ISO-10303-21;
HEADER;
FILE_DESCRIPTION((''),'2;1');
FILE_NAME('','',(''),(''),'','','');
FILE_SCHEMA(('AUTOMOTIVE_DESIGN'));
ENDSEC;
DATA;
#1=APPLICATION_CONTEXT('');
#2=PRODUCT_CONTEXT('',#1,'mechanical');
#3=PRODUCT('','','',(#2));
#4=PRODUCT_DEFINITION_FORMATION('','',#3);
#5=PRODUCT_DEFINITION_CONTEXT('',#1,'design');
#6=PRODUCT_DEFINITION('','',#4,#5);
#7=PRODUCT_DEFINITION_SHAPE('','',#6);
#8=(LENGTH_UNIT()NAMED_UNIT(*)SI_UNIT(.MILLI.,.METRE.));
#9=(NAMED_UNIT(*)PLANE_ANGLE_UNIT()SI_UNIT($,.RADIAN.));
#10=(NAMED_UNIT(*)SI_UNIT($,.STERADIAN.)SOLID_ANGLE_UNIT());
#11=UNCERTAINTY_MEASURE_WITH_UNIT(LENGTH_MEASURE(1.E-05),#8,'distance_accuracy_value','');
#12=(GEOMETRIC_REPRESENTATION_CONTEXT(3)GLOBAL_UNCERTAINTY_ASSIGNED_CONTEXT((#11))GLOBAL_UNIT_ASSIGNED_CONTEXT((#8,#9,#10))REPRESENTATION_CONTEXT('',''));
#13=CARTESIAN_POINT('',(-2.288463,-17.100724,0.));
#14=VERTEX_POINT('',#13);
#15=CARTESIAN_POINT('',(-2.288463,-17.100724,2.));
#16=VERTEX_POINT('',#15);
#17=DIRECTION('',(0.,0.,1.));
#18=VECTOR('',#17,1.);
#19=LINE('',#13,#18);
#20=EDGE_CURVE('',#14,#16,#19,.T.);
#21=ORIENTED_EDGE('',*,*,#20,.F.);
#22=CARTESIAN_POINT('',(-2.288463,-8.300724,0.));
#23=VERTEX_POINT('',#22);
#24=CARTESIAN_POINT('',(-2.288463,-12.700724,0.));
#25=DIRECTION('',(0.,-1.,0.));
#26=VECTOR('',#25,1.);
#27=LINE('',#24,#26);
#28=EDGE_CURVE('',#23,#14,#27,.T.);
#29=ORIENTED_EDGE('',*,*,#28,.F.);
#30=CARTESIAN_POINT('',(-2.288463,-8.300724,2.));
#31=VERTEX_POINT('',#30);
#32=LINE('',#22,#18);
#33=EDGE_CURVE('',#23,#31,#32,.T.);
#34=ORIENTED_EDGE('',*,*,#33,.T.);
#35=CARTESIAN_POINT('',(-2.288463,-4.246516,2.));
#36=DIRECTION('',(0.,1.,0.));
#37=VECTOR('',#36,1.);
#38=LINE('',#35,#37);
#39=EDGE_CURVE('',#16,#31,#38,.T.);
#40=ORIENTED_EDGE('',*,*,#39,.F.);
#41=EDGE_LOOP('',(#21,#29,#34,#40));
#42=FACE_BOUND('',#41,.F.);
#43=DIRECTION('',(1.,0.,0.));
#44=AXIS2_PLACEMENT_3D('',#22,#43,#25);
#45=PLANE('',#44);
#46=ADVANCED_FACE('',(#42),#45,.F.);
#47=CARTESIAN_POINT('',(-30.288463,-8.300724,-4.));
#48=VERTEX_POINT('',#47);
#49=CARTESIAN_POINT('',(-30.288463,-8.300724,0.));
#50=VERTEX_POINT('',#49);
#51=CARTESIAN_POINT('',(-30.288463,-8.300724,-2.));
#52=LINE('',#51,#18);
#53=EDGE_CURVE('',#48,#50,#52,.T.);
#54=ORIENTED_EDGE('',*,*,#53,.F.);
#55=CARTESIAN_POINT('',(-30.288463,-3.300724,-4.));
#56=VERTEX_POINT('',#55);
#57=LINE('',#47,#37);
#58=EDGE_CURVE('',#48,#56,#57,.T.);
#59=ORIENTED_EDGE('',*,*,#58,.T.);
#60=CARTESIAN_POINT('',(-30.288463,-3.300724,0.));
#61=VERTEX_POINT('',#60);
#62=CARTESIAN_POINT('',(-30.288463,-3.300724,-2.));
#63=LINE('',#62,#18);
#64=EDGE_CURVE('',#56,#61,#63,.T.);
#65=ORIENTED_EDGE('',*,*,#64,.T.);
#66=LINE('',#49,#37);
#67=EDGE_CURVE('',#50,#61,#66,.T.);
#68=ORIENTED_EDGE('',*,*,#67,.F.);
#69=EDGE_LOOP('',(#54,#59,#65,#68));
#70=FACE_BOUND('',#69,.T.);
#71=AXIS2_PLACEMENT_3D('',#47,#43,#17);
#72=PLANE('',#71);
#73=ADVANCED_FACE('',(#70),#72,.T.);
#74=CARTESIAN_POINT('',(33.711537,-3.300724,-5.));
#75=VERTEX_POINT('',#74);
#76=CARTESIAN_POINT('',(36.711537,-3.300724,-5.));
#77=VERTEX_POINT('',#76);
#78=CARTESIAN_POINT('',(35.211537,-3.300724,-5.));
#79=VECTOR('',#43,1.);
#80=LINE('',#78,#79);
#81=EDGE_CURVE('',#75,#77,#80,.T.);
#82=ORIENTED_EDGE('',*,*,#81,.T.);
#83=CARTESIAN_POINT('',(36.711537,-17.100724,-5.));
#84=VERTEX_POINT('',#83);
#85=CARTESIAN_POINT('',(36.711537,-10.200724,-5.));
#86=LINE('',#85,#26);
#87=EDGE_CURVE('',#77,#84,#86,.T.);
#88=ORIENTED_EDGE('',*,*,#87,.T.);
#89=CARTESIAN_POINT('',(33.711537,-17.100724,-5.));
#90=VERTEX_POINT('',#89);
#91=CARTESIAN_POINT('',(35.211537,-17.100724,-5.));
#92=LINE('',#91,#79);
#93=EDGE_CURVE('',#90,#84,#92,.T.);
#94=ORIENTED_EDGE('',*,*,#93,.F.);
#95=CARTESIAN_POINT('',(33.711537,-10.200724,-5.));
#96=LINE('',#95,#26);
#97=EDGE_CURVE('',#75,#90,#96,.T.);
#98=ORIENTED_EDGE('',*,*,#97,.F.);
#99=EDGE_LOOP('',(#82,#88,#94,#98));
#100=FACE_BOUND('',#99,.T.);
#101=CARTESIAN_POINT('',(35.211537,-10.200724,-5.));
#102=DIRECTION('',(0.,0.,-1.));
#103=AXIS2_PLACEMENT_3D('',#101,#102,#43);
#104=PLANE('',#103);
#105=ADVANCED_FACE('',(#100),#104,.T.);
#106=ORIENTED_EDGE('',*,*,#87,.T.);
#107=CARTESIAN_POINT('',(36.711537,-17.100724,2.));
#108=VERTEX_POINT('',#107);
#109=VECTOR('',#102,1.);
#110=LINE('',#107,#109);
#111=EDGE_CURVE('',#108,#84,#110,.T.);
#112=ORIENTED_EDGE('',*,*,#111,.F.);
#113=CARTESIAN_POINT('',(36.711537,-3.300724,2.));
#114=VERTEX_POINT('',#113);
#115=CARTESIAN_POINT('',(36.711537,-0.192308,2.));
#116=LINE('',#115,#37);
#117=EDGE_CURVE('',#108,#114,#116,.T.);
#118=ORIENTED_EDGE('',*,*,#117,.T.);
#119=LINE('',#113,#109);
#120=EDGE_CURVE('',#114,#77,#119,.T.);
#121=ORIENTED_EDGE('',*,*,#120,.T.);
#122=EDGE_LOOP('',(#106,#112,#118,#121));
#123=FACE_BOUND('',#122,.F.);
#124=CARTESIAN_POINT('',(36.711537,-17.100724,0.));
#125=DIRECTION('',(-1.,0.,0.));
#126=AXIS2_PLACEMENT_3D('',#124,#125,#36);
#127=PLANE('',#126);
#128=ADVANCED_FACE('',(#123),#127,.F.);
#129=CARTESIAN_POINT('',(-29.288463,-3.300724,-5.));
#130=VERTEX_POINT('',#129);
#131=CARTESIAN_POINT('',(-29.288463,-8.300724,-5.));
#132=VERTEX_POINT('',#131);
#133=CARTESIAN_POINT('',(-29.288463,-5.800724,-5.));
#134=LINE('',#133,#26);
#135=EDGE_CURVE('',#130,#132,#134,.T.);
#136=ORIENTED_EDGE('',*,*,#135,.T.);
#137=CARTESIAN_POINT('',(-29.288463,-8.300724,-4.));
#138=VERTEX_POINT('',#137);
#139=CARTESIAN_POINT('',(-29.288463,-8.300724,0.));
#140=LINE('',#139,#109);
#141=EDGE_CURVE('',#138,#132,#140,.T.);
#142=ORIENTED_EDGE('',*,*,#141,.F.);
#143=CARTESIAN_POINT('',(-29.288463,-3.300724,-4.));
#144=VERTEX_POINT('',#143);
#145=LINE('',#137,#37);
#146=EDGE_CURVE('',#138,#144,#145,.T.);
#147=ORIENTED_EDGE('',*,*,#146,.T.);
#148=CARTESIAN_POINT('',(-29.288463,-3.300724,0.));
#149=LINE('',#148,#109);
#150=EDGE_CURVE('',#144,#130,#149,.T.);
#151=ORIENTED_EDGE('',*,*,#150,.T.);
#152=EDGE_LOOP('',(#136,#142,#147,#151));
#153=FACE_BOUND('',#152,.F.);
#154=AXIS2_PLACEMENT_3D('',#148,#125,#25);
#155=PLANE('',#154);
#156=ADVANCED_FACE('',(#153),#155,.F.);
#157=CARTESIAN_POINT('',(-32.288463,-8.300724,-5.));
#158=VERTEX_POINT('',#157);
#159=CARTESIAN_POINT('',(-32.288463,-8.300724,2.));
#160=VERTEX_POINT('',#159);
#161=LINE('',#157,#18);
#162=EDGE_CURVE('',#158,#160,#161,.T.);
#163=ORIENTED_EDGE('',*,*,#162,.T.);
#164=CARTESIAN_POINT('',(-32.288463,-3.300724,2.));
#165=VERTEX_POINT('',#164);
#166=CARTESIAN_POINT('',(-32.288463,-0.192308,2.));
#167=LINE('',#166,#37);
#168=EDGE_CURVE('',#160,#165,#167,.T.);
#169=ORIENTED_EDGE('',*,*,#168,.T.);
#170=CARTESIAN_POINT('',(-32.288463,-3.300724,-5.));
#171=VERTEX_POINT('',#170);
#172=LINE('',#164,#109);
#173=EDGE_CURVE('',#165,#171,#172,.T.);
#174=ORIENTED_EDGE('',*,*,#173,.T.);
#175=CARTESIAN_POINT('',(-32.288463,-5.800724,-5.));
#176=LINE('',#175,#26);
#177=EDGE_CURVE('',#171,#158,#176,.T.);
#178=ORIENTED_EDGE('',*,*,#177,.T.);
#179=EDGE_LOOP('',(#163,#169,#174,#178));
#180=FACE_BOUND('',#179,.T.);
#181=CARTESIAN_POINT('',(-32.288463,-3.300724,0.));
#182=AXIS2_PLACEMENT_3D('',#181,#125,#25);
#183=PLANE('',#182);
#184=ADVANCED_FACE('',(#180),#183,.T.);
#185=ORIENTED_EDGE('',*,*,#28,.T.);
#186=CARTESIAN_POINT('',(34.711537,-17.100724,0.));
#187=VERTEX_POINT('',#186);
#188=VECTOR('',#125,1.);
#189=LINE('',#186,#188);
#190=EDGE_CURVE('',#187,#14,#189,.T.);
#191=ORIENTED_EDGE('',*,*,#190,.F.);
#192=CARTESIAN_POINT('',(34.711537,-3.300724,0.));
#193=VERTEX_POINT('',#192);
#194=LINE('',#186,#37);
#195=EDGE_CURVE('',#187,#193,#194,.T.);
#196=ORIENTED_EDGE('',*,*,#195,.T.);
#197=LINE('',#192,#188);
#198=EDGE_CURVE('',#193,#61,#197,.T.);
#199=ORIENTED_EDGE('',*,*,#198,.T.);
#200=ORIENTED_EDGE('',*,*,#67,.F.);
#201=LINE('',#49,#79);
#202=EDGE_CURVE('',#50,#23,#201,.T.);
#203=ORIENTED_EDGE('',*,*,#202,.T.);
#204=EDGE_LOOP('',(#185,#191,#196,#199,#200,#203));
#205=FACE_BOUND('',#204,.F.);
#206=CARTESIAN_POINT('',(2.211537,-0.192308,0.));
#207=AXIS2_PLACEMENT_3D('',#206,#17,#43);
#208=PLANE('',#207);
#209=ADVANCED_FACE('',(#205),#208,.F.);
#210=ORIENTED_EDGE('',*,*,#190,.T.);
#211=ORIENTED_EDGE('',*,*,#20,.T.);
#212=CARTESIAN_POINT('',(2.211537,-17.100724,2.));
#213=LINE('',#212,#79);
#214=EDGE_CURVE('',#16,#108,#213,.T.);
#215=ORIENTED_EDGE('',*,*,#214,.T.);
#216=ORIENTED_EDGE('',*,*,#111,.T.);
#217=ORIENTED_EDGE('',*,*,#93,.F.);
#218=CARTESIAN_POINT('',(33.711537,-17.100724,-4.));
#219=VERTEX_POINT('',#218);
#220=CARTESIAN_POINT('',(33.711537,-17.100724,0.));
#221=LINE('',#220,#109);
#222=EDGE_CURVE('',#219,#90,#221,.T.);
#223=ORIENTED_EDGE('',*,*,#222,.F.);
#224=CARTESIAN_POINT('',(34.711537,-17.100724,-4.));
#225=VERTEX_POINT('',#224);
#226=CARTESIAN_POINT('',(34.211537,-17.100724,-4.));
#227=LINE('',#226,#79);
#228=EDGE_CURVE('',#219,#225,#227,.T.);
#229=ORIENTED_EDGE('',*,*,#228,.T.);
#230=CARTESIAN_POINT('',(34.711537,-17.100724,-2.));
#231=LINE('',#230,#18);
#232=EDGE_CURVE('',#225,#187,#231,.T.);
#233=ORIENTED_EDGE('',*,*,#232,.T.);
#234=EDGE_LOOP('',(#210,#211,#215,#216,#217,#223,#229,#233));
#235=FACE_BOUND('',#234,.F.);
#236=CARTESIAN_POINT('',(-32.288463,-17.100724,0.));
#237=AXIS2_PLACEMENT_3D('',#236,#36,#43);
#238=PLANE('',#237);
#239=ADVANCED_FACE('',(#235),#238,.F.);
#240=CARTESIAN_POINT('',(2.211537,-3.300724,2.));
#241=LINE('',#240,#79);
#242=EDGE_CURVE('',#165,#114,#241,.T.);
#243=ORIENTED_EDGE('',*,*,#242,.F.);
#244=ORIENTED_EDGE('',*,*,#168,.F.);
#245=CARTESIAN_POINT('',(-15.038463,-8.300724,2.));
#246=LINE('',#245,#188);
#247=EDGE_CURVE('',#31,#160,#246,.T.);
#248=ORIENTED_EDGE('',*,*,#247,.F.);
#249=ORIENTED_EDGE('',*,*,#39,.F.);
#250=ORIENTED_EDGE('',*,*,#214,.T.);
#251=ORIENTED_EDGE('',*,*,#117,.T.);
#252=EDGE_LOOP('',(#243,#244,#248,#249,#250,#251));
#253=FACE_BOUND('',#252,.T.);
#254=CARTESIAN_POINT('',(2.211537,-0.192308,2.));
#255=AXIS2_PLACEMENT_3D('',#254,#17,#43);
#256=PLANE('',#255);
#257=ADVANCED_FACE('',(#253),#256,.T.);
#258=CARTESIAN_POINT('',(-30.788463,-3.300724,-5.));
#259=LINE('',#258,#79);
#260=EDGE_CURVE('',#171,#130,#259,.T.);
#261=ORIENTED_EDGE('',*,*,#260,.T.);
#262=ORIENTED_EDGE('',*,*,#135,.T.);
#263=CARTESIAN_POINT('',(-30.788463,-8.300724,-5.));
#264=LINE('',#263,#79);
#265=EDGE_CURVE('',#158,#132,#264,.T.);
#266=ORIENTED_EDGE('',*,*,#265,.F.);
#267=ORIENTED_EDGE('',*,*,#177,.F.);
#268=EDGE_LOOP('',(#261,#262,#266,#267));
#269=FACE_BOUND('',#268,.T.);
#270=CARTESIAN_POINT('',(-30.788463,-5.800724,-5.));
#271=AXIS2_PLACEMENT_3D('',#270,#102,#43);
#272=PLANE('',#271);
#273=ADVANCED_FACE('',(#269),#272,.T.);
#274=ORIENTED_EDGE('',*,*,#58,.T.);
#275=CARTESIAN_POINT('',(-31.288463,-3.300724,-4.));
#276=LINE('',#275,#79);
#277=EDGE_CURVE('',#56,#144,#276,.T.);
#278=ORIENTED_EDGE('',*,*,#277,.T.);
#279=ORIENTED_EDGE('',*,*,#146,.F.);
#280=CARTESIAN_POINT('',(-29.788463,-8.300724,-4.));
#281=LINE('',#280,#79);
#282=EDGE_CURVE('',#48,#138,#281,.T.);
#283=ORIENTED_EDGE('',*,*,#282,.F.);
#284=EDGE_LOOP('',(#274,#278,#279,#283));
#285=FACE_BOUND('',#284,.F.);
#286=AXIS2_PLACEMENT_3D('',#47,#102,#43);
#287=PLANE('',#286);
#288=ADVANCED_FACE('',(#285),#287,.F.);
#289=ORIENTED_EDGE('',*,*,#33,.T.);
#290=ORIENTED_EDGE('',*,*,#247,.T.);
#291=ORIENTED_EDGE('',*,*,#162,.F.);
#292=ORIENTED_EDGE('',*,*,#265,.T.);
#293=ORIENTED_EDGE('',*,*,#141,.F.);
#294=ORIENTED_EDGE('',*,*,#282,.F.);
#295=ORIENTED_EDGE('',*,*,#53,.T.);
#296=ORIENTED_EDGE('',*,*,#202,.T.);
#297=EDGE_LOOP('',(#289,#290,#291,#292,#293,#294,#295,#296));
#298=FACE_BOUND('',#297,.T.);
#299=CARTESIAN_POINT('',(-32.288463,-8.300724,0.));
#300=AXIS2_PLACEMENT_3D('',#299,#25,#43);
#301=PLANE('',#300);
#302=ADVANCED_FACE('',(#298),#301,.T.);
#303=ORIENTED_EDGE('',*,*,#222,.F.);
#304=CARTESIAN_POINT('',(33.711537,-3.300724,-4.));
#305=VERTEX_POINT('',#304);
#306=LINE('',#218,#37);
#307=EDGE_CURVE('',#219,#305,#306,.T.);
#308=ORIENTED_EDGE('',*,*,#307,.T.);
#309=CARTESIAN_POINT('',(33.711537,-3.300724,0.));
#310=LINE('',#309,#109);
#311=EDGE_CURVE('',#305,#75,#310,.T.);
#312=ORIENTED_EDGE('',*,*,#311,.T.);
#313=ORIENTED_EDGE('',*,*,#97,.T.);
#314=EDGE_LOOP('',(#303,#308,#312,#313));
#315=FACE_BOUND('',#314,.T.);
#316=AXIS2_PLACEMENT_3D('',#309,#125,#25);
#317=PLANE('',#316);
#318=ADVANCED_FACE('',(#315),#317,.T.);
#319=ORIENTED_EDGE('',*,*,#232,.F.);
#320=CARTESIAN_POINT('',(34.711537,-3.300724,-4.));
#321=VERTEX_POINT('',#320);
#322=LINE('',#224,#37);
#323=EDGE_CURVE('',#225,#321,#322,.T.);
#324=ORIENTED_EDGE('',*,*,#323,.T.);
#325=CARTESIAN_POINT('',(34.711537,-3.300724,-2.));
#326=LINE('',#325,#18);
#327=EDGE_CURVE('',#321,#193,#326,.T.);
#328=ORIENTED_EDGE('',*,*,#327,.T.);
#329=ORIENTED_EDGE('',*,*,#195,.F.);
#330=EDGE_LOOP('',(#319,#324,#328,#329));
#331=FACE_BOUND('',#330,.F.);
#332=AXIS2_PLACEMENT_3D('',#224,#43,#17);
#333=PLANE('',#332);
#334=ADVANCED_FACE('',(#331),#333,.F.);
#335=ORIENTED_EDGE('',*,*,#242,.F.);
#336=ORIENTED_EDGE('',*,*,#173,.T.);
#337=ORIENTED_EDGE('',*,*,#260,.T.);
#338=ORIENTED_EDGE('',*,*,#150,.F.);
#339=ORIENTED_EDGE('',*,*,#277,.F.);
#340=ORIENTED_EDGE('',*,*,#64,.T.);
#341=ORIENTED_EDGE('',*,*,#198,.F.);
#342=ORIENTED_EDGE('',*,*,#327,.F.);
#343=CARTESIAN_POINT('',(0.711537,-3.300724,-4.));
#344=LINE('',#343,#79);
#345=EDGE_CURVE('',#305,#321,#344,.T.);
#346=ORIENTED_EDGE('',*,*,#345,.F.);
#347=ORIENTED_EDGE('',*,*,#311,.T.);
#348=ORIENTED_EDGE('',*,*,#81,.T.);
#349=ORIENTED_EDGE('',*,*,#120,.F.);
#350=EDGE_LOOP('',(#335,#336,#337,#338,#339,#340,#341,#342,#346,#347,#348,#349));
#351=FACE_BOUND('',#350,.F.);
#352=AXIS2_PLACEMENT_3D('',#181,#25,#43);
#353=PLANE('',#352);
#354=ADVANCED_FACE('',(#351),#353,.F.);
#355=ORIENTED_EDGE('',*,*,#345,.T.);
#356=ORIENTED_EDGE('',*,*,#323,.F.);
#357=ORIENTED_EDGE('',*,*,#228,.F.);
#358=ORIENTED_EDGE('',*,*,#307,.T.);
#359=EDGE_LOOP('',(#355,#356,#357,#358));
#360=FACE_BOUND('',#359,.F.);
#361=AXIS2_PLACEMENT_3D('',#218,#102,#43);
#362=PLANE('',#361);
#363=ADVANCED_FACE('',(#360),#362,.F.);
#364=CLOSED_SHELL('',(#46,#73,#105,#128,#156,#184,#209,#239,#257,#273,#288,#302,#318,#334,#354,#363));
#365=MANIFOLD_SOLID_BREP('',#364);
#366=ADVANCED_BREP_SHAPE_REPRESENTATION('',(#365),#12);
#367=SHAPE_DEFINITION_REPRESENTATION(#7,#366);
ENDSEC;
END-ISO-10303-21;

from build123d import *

# Parameters (mm, degrees)
F0_W      = 69
F0_H      = 33.816832
F1_DEPTH  = 2
F2_W      = 30
F2_H      = 8.8
F3_DEPTH  = 25
F4_W      = 69
F4_H      = 20.016832
F5_DEPTH  = 25
F6_W      = 3
F6_H      = 5
F6_H_2    = 13.8
F7_DEPTH  = 5
F8_W      = 1
F8_H      = 4
F9_DEPTH  = 25
F10_W     = 1
F10_H     = 4
F11_DEPTH = 25


with BuildPart() as f1:
    # F0 (on Top) → F1 (new body)
    with BuildSketch(Plane.XY):
        with Locations((2.211537, -0.192308)):
            Rectangle(F0_W, F0_H)
    extrude(amount=F1_DEPTH)

    # F2 (on face) → F3 (cut)
    with BuildSketch(Plane(origin=(0, 0, 0), x_dir=(1, 0, 0), z_dir=(0, 0, -1))):
        with Locations((-17.288463, 12.700724)):
            Rectangle(F2_W, F2_H)
    extrude(amount=-F3_DEPTH, mode=Mode.SUBTRACT)

    # F4 (on face) → F5 (cut)
    with BuildSketch(Plane.XY.offset(2)):
        with Locations((2.211537, 6.707692)):
            Rectangle(F4_W, F4_H)
    extrude(amount=-F5_DEPTH, mode=Mode.SUBTRACT)

    # F6 (on face) → F7 (join)
    with BuildSketch(Plane(origin=(0, 0, 0), x_dir=(1, 0, 0), z_dir=(0, 0, -1))):
        with Locations((-30.788463, 5.800724)):
            Rectangle(F6_W, F6_H)
        with Locations((35.211537, 10.200724)):
            Rectangle(F6_W, F6_H_2)
    extrude(amount=F7_DEPTH)

    # F8 (on face) → F9 (cut)
    with BuildSketch(Plane.XZ.offset(17.100724)):
        with Locations((34.211537, -2)):
            Rectangle(F8_W, F8_H)
    extrude(amount=-F9_DEPTH, mode=Mode.SUBTRACT)

    # F10 (on face) → F11 (cut)
    with BuildSketch(Plane.XZ.offset(8.300724)):
        with Locations((-29.788463, -2)):
            Rectangle(F10_W, F10_H)
    extrude(amount=-F11_DEPTH, mode=Mode.SUBTRACT)


solid = f1.part
